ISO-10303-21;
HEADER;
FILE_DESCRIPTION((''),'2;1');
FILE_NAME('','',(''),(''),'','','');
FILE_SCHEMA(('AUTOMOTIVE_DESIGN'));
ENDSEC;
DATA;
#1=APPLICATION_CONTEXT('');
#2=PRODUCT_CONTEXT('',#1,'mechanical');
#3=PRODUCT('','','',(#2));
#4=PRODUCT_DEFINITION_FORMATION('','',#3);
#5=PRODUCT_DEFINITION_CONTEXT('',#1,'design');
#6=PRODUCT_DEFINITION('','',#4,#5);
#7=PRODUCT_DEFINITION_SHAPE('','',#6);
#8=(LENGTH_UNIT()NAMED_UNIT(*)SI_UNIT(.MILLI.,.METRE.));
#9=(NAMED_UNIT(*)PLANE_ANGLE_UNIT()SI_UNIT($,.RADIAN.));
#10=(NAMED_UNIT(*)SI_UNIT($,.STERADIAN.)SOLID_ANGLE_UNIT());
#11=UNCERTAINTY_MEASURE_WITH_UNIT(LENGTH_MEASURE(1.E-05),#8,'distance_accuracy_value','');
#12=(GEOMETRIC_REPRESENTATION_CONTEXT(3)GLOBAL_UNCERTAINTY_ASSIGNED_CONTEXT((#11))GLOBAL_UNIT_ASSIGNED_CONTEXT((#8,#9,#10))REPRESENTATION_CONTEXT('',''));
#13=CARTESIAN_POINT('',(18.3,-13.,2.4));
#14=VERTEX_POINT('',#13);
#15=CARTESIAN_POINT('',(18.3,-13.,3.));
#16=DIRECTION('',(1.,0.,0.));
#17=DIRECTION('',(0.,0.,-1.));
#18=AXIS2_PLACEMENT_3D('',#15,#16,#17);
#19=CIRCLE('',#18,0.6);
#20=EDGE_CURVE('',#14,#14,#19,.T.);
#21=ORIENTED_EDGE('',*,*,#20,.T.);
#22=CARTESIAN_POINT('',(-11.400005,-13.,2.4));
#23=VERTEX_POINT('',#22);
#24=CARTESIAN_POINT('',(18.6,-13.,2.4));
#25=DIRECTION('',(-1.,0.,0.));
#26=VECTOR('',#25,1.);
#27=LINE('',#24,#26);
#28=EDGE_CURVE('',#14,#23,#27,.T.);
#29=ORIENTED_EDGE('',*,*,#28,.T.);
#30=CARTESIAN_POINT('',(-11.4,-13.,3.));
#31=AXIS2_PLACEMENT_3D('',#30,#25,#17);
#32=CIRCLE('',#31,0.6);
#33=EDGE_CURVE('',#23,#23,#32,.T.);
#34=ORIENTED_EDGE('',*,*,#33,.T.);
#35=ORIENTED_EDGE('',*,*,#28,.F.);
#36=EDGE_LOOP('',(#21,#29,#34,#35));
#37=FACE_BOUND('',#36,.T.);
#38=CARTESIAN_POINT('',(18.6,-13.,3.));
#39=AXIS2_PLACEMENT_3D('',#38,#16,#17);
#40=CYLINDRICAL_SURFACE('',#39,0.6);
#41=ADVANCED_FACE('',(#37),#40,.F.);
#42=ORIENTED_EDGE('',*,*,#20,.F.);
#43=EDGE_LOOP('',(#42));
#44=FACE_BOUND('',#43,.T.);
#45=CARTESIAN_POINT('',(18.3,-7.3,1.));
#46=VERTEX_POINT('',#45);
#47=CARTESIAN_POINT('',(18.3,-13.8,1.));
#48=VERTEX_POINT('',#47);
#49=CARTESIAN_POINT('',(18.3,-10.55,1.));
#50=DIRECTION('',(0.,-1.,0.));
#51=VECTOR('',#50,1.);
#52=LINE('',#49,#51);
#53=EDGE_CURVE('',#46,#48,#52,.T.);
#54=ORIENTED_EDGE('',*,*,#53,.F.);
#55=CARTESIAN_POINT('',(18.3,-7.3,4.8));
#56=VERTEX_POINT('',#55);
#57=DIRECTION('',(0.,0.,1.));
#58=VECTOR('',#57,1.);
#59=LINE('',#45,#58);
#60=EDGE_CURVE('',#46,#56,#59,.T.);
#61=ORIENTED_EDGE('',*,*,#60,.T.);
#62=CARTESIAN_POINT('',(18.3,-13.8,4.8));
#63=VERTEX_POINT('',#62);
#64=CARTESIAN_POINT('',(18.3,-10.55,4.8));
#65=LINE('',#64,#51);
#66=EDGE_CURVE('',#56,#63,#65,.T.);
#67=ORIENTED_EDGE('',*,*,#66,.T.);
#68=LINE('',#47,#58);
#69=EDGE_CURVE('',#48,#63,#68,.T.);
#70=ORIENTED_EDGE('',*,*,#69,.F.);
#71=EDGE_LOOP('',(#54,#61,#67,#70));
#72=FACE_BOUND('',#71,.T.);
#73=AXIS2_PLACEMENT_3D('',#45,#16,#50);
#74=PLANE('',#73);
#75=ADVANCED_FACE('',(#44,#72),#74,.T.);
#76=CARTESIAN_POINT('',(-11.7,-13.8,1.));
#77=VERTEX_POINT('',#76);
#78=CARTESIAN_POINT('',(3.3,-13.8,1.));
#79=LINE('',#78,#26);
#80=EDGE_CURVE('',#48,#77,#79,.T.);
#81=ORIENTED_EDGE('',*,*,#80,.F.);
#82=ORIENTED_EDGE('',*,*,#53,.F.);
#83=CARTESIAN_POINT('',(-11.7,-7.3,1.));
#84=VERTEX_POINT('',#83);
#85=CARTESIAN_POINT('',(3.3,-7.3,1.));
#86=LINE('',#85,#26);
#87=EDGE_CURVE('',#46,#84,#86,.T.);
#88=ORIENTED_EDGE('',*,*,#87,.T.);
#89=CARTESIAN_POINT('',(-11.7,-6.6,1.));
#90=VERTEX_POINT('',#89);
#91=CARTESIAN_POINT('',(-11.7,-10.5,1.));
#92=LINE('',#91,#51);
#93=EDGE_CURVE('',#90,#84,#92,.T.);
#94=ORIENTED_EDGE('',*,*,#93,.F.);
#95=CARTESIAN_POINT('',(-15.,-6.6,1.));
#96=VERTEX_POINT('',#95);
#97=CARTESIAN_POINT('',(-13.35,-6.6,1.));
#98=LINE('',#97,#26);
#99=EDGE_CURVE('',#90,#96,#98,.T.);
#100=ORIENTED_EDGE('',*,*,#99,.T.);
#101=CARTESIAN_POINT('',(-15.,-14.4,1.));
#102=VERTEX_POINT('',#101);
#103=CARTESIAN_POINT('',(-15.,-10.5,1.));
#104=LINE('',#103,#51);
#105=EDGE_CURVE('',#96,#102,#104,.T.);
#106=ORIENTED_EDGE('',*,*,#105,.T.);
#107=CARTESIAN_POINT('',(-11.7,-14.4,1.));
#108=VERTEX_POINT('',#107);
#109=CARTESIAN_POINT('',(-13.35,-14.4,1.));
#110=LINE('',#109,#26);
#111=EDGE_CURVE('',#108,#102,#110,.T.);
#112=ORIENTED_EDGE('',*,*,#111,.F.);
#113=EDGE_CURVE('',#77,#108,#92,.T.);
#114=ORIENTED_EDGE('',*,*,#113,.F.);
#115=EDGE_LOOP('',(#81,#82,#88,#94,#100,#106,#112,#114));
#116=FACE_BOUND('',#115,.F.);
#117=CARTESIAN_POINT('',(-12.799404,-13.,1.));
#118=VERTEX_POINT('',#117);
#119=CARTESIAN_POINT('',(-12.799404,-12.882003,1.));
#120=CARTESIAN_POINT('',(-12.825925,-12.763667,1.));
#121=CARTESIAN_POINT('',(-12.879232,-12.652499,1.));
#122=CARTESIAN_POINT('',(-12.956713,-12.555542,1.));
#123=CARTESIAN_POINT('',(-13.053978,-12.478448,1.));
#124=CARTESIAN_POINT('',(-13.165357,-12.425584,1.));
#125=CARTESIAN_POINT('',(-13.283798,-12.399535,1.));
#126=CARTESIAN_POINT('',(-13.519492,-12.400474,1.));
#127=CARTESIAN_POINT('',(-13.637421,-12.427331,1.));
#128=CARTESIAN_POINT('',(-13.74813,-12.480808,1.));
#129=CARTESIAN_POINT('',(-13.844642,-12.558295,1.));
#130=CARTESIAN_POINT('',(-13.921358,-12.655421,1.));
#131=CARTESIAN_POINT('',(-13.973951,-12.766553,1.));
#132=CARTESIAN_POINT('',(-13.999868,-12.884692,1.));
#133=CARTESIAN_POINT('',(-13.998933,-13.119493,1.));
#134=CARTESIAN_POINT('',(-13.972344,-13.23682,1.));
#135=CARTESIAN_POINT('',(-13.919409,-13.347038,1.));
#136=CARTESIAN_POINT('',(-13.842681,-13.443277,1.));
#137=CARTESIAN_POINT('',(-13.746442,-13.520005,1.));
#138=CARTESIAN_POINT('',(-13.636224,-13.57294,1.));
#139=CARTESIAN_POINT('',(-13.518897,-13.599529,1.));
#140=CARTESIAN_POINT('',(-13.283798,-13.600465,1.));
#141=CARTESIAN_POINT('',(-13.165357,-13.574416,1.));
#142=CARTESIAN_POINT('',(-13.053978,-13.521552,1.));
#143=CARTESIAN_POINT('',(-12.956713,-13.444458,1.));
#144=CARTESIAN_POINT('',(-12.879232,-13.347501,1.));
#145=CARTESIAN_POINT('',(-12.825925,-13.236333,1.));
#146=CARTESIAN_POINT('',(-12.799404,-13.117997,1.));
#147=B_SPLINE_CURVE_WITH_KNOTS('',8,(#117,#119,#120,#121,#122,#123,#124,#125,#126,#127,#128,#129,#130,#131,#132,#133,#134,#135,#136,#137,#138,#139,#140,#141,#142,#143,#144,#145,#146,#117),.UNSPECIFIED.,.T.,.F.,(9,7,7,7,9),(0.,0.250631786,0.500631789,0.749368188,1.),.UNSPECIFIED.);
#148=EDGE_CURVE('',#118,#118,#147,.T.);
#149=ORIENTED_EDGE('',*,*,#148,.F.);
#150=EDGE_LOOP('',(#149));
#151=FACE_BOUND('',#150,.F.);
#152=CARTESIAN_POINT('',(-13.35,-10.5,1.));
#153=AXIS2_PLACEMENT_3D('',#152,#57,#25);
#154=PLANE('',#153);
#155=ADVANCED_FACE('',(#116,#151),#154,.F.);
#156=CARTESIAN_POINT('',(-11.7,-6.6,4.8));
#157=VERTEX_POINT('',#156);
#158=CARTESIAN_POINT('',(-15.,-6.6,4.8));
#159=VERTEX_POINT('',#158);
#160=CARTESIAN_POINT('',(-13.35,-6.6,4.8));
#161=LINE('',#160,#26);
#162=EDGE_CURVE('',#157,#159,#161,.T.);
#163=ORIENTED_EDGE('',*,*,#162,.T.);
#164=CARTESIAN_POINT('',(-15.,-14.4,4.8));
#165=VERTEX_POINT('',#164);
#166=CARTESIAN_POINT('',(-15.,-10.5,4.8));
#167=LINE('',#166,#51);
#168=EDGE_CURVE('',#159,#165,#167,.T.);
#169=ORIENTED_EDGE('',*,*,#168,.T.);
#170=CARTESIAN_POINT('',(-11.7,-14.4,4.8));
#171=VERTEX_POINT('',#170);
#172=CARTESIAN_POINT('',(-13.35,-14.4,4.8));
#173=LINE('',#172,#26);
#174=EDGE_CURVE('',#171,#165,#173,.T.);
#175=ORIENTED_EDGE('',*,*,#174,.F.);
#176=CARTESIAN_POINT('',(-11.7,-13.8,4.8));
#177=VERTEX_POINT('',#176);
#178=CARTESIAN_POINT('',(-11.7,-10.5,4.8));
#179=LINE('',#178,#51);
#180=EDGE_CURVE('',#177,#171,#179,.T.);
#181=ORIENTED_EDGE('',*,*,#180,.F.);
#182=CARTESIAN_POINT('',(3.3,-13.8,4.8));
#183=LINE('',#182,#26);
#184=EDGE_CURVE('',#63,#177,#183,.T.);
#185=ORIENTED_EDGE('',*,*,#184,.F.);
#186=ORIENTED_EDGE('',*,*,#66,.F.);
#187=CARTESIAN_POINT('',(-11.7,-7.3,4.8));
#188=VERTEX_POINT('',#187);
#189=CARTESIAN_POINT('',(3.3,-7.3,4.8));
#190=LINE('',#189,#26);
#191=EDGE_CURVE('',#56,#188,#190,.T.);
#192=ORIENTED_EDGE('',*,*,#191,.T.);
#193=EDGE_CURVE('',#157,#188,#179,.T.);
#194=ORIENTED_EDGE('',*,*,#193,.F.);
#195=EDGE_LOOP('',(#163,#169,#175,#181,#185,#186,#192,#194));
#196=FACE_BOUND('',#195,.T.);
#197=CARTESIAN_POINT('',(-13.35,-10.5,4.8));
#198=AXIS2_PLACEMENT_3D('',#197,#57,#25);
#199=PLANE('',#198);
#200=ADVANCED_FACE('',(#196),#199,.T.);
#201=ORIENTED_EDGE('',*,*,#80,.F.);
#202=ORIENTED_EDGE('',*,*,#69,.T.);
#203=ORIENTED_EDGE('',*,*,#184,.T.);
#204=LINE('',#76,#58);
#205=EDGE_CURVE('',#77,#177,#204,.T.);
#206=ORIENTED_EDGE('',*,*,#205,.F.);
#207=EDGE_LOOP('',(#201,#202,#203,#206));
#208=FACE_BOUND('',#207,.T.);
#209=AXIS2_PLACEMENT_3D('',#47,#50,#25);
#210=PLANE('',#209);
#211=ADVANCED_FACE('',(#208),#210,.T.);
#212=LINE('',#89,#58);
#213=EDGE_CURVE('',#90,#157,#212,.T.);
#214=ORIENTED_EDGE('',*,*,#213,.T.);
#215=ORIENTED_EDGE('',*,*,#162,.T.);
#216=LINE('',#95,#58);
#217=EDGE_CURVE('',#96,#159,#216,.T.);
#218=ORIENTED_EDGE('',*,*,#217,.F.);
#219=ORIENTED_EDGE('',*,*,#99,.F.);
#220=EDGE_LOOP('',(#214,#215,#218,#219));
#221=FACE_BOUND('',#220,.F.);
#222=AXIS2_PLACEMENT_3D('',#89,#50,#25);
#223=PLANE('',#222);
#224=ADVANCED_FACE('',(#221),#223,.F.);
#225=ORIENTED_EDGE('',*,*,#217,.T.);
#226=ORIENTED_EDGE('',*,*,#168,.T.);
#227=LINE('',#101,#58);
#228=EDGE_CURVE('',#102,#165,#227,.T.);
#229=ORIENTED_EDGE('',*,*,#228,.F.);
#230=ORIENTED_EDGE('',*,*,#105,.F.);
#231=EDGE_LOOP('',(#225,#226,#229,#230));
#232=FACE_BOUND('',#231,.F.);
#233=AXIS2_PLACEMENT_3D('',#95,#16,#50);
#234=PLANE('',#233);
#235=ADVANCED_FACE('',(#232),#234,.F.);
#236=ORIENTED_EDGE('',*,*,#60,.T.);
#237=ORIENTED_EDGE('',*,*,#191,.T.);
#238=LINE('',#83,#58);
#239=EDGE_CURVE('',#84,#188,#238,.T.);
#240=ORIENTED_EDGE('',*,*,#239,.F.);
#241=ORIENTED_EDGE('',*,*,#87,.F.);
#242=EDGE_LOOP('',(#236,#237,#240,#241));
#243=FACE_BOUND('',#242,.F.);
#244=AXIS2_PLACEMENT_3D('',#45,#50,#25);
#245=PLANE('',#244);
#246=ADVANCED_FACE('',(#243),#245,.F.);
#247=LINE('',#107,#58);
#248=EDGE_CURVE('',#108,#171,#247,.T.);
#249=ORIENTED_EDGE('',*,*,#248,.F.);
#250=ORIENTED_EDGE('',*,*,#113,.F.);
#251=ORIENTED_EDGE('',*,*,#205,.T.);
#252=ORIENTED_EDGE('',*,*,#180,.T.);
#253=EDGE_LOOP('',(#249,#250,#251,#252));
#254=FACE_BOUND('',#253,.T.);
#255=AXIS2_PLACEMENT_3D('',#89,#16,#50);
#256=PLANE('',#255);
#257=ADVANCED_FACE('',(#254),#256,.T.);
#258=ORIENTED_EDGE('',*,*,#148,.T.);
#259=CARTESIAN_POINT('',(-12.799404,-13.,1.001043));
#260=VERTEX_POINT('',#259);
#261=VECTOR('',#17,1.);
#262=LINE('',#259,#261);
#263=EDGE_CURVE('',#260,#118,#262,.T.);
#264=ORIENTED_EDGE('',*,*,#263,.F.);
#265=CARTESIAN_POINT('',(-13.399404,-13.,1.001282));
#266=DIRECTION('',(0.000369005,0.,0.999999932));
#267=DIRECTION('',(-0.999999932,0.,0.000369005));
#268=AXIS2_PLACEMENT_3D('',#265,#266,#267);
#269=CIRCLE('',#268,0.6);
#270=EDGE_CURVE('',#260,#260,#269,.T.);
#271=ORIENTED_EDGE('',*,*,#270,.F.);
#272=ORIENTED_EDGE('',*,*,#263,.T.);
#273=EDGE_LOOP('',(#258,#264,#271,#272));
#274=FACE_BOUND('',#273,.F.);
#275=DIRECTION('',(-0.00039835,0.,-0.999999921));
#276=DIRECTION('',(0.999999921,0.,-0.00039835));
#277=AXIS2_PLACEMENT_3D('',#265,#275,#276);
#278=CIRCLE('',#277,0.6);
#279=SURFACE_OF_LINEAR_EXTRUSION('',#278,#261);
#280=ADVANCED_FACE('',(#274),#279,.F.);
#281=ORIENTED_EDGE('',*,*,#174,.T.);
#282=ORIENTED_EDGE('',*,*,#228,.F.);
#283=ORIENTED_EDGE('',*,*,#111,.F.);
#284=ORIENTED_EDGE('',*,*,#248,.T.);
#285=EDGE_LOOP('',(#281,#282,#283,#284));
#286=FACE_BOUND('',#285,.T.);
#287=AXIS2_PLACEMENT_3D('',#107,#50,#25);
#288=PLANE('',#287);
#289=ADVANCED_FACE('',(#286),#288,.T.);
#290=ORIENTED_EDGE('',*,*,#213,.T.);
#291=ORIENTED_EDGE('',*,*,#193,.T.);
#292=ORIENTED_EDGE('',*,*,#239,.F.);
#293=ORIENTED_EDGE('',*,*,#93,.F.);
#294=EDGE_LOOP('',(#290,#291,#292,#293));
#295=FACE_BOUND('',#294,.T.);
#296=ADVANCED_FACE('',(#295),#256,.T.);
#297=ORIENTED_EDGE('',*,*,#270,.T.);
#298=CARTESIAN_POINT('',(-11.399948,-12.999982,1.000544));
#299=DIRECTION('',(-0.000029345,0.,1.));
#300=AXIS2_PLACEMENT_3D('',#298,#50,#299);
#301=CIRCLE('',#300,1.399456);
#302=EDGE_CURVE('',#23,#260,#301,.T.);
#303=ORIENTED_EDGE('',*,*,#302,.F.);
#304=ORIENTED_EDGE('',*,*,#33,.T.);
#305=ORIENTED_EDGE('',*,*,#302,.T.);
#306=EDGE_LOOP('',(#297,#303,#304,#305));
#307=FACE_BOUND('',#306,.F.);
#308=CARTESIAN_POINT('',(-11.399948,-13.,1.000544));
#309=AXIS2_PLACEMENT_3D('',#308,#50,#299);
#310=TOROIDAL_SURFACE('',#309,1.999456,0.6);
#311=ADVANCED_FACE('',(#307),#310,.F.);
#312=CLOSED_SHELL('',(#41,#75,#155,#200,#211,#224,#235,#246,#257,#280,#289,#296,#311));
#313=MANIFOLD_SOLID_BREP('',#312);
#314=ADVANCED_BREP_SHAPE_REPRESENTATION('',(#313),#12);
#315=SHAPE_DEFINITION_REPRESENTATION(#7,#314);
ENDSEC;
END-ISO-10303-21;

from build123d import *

# Parameters (mm, degrees)
SKETCH004_R             = 0.6
SWEEP_ROLL_ANGLE        = -90
CYLINDER006_R           = 0.6
CYLINDER006_DEPTH       = 30
CYLINDER006_PITCH_ANGLE = 90
BOX013_W                = 3.3
BOX013_H                = 7.8
BOX013_DEPTH            = 3.8
BOX012_W                = 30
BOX012_H                = 6.5
BOX012_DEPTH            = 3.8
CUT004_PLACEMENT_ANGLE  = 180


with BuildPart() as sweep_body:
    # Sweep: sweep along a path in Sketch002
    with BuildLine(Plane.XY) as sweep_path:
        Line((0, 0), (2.000007, 0))
        ThreePointArc((2.000007, 0), (3.413537, 0.585387), (3.999404, 1.998718))
        Line((3.999404, 1.998718), (3.999404, 3.99963))
    # Sketch004 → Sweep (sweep)
    with BuildSketch(Plane.YZ):
        Circle(SKETCH004_R)
    sweep(path=sweep_path.line, transition=Transition.RIGHT)


with BuildPart() as sweep_body_1:
    # Sweep roll: moved
    add(sweep_body.part.rotate(Axis((0, 0, 0), (1, 0, 0)), SWEEP_ROLL_ANGLE))


with BuildPart() as sweep_body_2:
    # Sweep placement: moved
    add(sweep_body_1.part.moved(Location((11, 3.4, 2))))


with BuildPart() as fusion002005:
    # Cylinder006 → Cylinder006 (new body)
    with BuildSketch(Plane.XY):
        Circle(CYLINDER006_R)
    extrude(amount=CYLINDER006_DEPTH)


with BuildPart() as fusion002005_1:
    # Cylinder006 pitch: moved
    add(fusion002005.part.rotate(Axis((0, 0, 0), (0, 1, 0)), CYLINDER006_PITCH_ANGLE))


with BuildPart() as fusion002005_2:
    # Cylinder006 placement: moved
    add(fusion002005_1.part.moved(Location((-17, 3.4, 2))))

    # Fusion002005: union Sweep body
    add(sweep_body_2.part)


with BuildPart() as fusion002005_3:
    # Fusion002005 placement: moved
    add(fusion002005_2.part.moved(Location((-1.3, 2.5, 0))))


with BuildPart() as cubo013:
    # Box013 → Box013 (new body)
    with BuildSketch(Plane(origin=(12, -0.5, 0), x_dir=(1, 0, 0), z_dir=(0, 0, 1))):
        with Locations((1.65, 3.9)):
            Rectangle(BOX013_W, BOX013_H)
    extrude(amount=BOX013_DEPTH)


with BuildPart() as cut004:
    # Box012 → Box012 (new body)
    with BuildSketch(Plane(origin=(-18, 0.2, 0), x_dir=(1, 0, 0), z_dir=(0, 0, 1))):
        with Locations((15, 3.25)):
            Rectangle(BOX012_W, BOX012_H)
    extrude(amount=BOX012_DEPTH)

    # Fusion002004: union Cubo013
    add(cubo013.part)

    # Cut004: cut Fusion002005
    add(fusion002005_3.part, mode=Mode.SUBTRACT)


with BuildPart() as cut004_1:
    # Cut004 placement: moved
    add(cut004.part.moved(Location((0.3, -7.1, 1))).rotate(Axis((0.3, -7.1, 1), (0, 0, 1)), CUT004_PLACEMENT_ANGLE))


solid = cut004_1.part
